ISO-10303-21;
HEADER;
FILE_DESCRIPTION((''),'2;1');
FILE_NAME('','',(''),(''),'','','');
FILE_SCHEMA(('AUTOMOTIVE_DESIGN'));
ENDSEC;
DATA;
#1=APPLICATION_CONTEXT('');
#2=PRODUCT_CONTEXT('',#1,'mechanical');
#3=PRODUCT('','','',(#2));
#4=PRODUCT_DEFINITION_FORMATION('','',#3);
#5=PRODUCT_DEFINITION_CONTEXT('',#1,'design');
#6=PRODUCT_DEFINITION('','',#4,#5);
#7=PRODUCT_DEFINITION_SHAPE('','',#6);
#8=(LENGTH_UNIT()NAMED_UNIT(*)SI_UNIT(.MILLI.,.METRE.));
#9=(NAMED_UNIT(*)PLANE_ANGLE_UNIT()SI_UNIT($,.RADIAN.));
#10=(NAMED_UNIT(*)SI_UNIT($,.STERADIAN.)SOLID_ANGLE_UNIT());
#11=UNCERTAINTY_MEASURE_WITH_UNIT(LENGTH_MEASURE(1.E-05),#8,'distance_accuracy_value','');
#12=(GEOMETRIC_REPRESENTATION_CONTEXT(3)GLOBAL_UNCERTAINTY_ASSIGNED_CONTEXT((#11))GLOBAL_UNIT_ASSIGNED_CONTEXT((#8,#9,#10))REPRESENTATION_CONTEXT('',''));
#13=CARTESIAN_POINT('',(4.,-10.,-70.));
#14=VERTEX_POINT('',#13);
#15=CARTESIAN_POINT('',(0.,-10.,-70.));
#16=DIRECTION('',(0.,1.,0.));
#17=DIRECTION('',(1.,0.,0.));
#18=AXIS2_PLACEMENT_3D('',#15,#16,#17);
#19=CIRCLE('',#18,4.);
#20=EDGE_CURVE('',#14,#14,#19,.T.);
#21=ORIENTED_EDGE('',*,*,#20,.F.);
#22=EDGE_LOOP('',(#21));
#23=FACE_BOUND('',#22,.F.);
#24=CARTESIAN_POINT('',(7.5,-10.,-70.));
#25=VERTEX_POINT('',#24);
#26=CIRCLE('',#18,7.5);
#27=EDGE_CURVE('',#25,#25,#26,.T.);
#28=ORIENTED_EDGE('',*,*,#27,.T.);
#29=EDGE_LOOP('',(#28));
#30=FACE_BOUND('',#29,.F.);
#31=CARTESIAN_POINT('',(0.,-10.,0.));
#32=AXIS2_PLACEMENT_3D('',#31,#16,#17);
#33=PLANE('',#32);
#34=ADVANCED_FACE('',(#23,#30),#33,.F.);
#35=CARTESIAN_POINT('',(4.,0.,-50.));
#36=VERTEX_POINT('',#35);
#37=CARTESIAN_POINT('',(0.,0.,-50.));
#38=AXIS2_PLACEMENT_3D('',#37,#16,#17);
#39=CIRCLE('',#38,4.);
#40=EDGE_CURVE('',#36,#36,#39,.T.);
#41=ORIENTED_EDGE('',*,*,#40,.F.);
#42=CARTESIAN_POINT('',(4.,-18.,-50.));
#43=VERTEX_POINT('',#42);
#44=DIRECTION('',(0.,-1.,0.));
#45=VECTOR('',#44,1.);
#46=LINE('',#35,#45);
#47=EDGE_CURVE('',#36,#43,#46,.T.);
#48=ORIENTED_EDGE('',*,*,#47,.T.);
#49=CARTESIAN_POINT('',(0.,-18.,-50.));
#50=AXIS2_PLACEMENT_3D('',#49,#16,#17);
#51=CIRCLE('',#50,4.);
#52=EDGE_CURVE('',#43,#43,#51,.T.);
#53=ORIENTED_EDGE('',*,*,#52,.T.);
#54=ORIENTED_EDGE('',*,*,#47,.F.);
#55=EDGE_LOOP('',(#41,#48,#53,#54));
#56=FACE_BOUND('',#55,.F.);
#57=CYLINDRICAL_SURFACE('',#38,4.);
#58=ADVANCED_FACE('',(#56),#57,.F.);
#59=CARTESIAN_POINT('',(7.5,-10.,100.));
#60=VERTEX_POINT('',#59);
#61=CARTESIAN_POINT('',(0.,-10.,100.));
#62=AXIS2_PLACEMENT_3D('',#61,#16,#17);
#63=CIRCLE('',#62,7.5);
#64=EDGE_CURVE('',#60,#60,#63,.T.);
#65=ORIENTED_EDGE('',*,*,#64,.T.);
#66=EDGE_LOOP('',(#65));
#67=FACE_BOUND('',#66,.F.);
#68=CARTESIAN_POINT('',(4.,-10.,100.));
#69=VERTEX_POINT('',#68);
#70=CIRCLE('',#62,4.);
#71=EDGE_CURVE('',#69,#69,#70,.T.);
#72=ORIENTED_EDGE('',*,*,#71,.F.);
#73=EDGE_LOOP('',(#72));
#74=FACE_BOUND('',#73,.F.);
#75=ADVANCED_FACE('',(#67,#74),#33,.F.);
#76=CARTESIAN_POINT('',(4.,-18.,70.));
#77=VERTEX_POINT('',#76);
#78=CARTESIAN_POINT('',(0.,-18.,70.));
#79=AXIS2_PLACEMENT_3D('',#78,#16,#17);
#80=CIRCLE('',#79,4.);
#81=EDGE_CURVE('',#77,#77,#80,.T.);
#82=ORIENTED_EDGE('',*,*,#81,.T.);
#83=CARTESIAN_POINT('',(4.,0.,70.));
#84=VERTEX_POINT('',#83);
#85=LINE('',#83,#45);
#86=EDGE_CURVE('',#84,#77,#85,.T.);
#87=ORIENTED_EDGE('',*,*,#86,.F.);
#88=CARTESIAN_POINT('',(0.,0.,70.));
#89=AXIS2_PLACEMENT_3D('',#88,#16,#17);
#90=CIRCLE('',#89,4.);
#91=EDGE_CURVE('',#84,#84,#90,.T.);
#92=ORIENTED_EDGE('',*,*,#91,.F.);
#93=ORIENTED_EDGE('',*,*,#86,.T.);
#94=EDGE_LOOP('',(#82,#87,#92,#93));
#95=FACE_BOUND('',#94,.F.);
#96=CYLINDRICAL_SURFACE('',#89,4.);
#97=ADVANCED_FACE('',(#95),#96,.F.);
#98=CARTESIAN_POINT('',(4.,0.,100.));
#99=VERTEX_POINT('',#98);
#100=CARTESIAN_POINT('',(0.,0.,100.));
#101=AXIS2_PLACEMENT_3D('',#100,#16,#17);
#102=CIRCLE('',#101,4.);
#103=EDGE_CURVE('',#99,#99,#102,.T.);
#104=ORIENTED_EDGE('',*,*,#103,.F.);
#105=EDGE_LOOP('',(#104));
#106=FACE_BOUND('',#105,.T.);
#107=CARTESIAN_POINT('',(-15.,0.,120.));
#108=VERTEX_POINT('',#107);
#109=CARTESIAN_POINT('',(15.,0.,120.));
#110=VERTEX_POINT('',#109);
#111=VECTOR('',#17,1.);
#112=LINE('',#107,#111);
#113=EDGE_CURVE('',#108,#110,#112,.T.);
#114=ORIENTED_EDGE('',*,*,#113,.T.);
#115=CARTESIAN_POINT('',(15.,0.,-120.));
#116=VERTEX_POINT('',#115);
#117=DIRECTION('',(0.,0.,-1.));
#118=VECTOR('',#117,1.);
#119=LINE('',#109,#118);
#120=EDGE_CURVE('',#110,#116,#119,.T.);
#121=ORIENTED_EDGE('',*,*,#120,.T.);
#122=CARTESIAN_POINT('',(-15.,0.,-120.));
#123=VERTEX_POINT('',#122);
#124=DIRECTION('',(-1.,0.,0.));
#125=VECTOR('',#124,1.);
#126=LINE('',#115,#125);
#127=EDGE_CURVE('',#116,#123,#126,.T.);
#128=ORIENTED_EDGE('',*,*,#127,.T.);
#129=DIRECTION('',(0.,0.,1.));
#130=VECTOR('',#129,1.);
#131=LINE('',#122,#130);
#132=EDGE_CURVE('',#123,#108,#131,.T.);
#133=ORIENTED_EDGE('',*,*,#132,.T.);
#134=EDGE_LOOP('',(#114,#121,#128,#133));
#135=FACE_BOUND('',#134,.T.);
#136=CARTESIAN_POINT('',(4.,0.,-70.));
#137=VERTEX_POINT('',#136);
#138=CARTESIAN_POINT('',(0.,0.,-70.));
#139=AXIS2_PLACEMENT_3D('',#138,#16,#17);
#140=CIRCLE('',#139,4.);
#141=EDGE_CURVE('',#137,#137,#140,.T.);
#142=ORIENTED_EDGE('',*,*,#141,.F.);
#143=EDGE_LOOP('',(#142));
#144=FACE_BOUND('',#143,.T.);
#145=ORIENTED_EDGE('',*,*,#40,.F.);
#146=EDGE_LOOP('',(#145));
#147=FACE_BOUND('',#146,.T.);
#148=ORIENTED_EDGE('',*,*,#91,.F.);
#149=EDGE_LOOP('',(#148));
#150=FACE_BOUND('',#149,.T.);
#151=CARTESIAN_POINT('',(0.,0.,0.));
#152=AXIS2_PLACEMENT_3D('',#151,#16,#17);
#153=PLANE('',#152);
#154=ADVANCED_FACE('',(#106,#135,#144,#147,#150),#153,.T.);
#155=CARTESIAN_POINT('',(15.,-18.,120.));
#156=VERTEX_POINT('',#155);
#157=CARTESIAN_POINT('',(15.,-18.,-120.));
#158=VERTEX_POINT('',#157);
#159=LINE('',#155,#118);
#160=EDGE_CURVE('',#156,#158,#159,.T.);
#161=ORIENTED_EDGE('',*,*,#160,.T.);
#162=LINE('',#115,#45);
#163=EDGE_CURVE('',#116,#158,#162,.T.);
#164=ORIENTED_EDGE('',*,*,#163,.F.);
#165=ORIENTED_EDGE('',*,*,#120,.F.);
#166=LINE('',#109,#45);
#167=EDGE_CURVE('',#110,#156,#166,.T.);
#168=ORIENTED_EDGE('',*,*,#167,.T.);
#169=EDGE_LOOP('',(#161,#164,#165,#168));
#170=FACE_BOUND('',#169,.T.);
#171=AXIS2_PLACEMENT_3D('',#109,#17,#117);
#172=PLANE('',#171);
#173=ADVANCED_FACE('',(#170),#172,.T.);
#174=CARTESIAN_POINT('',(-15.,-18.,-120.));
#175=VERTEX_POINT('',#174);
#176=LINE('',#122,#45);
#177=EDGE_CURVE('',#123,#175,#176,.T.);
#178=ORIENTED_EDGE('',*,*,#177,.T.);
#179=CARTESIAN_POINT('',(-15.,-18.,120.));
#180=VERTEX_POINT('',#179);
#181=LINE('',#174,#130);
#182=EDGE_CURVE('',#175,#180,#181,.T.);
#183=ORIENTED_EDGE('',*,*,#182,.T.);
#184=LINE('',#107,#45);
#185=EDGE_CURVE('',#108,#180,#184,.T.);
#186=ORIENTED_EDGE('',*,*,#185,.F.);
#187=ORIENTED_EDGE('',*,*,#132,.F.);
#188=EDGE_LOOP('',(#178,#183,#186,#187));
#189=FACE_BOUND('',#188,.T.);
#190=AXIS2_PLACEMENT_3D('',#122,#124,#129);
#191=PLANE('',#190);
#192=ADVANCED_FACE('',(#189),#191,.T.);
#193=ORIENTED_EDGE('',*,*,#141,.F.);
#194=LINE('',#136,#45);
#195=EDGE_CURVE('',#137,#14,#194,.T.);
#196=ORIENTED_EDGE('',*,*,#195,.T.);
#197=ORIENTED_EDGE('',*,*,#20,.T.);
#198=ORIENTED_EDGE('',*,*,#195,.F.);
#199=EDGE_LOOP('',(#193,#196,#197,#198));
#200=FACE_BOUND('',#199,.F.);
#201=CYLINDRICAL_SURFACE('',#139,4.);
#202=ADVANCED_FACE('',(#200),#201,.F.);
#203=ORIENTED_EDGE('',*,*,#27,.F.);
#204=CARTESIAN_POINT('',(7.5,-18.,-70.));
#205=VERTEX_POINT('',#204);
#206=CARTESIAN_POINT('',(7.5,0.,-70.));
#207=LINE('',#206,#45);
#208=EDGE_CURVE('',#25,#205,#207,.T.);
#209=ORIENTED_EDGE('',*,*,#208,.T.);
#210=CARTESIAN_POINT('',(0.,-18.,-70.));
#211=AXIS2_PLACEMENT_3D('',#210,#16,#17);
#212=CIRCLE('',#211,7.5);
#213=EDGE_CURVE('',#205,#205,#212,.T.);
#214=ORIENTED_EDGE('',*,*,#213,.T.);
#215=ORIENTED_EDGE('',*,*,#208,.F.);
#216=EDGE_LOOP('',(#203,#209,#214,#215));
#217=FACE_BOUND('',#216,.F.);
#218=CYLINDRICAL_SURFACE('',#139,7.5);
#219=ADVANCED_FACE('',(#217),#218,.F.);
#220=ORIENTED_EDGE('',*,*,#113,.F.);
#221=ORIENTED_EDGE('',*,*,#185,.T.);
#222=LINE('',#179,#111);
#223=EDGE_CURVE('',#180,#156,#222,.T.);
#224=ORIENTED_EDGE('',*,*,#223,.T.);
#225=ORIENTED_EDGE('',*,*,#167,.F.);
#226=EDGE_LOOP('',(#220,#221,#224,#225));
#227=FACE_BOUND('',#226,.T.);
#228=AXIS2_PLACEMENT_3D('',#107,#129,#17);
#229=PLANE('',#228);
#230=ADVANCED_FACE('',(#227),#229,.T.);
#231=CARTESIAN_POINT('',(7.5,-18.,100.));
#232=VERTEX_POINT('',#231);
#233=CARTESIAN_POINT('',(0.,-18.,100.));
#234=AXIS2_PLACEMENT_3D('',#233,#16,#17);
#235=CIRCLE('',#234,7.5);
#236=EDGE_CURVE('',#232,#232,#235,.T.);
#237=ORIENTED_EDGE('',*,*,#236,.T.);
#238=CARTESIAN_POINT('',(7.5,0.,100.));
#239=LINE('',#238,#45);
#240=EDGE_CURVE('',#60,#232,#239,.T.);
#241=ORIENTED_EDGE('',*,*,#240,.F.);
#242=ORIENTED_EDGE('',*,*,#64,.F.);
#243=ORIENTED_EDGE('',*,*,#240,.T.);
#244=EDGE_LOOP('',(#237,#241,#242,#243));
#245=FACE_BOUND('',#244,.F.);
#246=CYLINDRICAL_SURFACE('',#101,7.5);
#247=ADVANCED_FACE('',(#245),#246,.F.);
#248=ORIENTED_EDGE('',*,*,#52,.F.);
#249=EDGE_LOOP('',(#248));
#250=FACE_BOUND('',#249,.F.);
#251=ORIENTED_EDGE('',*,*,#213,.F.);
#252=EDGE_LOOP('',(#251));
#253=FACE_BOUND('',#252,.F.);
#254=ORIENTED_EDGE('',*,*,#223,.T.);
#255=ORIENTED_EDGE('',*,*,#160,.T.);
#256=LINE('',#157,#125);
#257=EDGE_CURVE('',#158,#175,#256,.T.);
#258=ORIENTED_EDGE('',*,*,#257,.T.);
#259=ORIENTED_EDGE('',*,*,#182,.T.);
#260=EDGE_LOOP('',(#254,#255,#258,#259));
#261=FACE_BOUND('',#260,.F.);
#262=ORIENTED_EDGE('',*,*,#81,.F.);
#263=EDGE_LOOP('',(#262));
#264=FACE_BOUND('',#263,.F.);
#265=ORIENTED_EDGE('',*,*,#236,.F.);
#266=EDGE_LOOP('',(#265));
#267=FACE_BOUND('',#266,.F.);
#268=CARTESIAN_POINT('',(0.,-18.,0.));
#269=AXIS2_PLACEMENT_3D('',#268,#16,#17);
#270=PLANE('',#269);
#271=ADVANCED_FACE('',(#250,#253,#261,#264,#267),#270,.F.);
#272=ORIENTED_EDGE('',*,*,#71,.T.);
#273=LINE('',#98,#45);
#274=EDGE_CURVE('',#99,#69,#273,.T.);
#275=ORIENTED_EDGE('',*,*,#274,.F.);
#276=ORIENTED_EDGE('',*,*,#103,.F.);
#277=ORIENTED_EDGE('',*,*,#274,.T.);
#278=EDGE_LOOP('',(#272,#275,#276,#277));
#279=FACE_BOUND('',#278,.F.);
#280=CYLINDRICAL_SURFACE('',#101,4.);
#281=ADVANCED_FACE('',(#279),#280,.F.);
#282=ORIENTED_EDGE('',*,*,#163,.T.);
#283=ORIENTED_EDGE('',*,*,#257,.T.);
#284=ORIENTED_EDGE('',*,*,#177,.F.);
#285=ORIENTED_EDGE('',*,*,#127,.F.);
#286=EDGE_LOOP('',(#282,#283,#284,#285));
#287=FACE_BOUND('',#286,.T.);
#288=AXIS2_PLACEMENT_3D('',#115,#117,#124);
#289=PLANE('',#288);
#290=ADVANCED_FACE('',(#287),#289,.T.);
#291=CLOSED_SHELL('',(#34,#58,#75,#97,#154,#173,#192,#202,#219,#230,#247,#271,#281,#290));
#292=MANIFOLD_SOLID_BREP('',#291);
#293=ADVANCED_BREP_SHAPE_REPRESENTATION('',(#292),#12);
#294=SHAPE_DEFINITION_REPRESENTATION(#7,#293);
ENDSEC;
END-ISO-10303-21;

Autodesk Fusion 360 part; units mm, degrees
sketch "Front" plane through (0, 0, 0) normal (0, 1, 0) x (1, 0, 0)
  line L0 (-15, -120) -> (15, -120)
  line L1 (15, -120) -> (15, 120)
  line L2 (15, 120) -> (-15, 120)
  line L3 (-15, 120) -> (-15, -120)
  line L4 (0, -120) -> (0, 120) construction
  circle A0 centre (0, -100) radius 4
  circle A1 centre (0, -70) radius 4
  circle A2 centre (0, 50) radius 4
  circle A3 centre (0, 70) radius 4
  circle A4 centre (0, -100) radius 7.5
  circle A5 centre (0, 70) radius 7.5
  dimension "d1" = 240
  dimension "d2" = 30
  dimension "d3" = 8
  dimension "d4" = 8
  dimension "d5" = 8
  dimension "d6" = 8
  dimension "d7" = 50
  dimension "d8" = 20
  dimension "d9" = 30
  dimension "d10" = 20
  dimension "d15" = 15
  dimension "d16" = 15
extrude "Extrude3" add sketch "Front" against normal blind 10 contours A4 | A5 makes body 1 at (7.4907, -6.6667, 100.3738) makes body 2 at (7.4907, -6.6667, -69.6262)
extrude "Extrude4" add sketch "Front" against normal blind 18 contours L0 L1 L2 L3 bodies 1 2
